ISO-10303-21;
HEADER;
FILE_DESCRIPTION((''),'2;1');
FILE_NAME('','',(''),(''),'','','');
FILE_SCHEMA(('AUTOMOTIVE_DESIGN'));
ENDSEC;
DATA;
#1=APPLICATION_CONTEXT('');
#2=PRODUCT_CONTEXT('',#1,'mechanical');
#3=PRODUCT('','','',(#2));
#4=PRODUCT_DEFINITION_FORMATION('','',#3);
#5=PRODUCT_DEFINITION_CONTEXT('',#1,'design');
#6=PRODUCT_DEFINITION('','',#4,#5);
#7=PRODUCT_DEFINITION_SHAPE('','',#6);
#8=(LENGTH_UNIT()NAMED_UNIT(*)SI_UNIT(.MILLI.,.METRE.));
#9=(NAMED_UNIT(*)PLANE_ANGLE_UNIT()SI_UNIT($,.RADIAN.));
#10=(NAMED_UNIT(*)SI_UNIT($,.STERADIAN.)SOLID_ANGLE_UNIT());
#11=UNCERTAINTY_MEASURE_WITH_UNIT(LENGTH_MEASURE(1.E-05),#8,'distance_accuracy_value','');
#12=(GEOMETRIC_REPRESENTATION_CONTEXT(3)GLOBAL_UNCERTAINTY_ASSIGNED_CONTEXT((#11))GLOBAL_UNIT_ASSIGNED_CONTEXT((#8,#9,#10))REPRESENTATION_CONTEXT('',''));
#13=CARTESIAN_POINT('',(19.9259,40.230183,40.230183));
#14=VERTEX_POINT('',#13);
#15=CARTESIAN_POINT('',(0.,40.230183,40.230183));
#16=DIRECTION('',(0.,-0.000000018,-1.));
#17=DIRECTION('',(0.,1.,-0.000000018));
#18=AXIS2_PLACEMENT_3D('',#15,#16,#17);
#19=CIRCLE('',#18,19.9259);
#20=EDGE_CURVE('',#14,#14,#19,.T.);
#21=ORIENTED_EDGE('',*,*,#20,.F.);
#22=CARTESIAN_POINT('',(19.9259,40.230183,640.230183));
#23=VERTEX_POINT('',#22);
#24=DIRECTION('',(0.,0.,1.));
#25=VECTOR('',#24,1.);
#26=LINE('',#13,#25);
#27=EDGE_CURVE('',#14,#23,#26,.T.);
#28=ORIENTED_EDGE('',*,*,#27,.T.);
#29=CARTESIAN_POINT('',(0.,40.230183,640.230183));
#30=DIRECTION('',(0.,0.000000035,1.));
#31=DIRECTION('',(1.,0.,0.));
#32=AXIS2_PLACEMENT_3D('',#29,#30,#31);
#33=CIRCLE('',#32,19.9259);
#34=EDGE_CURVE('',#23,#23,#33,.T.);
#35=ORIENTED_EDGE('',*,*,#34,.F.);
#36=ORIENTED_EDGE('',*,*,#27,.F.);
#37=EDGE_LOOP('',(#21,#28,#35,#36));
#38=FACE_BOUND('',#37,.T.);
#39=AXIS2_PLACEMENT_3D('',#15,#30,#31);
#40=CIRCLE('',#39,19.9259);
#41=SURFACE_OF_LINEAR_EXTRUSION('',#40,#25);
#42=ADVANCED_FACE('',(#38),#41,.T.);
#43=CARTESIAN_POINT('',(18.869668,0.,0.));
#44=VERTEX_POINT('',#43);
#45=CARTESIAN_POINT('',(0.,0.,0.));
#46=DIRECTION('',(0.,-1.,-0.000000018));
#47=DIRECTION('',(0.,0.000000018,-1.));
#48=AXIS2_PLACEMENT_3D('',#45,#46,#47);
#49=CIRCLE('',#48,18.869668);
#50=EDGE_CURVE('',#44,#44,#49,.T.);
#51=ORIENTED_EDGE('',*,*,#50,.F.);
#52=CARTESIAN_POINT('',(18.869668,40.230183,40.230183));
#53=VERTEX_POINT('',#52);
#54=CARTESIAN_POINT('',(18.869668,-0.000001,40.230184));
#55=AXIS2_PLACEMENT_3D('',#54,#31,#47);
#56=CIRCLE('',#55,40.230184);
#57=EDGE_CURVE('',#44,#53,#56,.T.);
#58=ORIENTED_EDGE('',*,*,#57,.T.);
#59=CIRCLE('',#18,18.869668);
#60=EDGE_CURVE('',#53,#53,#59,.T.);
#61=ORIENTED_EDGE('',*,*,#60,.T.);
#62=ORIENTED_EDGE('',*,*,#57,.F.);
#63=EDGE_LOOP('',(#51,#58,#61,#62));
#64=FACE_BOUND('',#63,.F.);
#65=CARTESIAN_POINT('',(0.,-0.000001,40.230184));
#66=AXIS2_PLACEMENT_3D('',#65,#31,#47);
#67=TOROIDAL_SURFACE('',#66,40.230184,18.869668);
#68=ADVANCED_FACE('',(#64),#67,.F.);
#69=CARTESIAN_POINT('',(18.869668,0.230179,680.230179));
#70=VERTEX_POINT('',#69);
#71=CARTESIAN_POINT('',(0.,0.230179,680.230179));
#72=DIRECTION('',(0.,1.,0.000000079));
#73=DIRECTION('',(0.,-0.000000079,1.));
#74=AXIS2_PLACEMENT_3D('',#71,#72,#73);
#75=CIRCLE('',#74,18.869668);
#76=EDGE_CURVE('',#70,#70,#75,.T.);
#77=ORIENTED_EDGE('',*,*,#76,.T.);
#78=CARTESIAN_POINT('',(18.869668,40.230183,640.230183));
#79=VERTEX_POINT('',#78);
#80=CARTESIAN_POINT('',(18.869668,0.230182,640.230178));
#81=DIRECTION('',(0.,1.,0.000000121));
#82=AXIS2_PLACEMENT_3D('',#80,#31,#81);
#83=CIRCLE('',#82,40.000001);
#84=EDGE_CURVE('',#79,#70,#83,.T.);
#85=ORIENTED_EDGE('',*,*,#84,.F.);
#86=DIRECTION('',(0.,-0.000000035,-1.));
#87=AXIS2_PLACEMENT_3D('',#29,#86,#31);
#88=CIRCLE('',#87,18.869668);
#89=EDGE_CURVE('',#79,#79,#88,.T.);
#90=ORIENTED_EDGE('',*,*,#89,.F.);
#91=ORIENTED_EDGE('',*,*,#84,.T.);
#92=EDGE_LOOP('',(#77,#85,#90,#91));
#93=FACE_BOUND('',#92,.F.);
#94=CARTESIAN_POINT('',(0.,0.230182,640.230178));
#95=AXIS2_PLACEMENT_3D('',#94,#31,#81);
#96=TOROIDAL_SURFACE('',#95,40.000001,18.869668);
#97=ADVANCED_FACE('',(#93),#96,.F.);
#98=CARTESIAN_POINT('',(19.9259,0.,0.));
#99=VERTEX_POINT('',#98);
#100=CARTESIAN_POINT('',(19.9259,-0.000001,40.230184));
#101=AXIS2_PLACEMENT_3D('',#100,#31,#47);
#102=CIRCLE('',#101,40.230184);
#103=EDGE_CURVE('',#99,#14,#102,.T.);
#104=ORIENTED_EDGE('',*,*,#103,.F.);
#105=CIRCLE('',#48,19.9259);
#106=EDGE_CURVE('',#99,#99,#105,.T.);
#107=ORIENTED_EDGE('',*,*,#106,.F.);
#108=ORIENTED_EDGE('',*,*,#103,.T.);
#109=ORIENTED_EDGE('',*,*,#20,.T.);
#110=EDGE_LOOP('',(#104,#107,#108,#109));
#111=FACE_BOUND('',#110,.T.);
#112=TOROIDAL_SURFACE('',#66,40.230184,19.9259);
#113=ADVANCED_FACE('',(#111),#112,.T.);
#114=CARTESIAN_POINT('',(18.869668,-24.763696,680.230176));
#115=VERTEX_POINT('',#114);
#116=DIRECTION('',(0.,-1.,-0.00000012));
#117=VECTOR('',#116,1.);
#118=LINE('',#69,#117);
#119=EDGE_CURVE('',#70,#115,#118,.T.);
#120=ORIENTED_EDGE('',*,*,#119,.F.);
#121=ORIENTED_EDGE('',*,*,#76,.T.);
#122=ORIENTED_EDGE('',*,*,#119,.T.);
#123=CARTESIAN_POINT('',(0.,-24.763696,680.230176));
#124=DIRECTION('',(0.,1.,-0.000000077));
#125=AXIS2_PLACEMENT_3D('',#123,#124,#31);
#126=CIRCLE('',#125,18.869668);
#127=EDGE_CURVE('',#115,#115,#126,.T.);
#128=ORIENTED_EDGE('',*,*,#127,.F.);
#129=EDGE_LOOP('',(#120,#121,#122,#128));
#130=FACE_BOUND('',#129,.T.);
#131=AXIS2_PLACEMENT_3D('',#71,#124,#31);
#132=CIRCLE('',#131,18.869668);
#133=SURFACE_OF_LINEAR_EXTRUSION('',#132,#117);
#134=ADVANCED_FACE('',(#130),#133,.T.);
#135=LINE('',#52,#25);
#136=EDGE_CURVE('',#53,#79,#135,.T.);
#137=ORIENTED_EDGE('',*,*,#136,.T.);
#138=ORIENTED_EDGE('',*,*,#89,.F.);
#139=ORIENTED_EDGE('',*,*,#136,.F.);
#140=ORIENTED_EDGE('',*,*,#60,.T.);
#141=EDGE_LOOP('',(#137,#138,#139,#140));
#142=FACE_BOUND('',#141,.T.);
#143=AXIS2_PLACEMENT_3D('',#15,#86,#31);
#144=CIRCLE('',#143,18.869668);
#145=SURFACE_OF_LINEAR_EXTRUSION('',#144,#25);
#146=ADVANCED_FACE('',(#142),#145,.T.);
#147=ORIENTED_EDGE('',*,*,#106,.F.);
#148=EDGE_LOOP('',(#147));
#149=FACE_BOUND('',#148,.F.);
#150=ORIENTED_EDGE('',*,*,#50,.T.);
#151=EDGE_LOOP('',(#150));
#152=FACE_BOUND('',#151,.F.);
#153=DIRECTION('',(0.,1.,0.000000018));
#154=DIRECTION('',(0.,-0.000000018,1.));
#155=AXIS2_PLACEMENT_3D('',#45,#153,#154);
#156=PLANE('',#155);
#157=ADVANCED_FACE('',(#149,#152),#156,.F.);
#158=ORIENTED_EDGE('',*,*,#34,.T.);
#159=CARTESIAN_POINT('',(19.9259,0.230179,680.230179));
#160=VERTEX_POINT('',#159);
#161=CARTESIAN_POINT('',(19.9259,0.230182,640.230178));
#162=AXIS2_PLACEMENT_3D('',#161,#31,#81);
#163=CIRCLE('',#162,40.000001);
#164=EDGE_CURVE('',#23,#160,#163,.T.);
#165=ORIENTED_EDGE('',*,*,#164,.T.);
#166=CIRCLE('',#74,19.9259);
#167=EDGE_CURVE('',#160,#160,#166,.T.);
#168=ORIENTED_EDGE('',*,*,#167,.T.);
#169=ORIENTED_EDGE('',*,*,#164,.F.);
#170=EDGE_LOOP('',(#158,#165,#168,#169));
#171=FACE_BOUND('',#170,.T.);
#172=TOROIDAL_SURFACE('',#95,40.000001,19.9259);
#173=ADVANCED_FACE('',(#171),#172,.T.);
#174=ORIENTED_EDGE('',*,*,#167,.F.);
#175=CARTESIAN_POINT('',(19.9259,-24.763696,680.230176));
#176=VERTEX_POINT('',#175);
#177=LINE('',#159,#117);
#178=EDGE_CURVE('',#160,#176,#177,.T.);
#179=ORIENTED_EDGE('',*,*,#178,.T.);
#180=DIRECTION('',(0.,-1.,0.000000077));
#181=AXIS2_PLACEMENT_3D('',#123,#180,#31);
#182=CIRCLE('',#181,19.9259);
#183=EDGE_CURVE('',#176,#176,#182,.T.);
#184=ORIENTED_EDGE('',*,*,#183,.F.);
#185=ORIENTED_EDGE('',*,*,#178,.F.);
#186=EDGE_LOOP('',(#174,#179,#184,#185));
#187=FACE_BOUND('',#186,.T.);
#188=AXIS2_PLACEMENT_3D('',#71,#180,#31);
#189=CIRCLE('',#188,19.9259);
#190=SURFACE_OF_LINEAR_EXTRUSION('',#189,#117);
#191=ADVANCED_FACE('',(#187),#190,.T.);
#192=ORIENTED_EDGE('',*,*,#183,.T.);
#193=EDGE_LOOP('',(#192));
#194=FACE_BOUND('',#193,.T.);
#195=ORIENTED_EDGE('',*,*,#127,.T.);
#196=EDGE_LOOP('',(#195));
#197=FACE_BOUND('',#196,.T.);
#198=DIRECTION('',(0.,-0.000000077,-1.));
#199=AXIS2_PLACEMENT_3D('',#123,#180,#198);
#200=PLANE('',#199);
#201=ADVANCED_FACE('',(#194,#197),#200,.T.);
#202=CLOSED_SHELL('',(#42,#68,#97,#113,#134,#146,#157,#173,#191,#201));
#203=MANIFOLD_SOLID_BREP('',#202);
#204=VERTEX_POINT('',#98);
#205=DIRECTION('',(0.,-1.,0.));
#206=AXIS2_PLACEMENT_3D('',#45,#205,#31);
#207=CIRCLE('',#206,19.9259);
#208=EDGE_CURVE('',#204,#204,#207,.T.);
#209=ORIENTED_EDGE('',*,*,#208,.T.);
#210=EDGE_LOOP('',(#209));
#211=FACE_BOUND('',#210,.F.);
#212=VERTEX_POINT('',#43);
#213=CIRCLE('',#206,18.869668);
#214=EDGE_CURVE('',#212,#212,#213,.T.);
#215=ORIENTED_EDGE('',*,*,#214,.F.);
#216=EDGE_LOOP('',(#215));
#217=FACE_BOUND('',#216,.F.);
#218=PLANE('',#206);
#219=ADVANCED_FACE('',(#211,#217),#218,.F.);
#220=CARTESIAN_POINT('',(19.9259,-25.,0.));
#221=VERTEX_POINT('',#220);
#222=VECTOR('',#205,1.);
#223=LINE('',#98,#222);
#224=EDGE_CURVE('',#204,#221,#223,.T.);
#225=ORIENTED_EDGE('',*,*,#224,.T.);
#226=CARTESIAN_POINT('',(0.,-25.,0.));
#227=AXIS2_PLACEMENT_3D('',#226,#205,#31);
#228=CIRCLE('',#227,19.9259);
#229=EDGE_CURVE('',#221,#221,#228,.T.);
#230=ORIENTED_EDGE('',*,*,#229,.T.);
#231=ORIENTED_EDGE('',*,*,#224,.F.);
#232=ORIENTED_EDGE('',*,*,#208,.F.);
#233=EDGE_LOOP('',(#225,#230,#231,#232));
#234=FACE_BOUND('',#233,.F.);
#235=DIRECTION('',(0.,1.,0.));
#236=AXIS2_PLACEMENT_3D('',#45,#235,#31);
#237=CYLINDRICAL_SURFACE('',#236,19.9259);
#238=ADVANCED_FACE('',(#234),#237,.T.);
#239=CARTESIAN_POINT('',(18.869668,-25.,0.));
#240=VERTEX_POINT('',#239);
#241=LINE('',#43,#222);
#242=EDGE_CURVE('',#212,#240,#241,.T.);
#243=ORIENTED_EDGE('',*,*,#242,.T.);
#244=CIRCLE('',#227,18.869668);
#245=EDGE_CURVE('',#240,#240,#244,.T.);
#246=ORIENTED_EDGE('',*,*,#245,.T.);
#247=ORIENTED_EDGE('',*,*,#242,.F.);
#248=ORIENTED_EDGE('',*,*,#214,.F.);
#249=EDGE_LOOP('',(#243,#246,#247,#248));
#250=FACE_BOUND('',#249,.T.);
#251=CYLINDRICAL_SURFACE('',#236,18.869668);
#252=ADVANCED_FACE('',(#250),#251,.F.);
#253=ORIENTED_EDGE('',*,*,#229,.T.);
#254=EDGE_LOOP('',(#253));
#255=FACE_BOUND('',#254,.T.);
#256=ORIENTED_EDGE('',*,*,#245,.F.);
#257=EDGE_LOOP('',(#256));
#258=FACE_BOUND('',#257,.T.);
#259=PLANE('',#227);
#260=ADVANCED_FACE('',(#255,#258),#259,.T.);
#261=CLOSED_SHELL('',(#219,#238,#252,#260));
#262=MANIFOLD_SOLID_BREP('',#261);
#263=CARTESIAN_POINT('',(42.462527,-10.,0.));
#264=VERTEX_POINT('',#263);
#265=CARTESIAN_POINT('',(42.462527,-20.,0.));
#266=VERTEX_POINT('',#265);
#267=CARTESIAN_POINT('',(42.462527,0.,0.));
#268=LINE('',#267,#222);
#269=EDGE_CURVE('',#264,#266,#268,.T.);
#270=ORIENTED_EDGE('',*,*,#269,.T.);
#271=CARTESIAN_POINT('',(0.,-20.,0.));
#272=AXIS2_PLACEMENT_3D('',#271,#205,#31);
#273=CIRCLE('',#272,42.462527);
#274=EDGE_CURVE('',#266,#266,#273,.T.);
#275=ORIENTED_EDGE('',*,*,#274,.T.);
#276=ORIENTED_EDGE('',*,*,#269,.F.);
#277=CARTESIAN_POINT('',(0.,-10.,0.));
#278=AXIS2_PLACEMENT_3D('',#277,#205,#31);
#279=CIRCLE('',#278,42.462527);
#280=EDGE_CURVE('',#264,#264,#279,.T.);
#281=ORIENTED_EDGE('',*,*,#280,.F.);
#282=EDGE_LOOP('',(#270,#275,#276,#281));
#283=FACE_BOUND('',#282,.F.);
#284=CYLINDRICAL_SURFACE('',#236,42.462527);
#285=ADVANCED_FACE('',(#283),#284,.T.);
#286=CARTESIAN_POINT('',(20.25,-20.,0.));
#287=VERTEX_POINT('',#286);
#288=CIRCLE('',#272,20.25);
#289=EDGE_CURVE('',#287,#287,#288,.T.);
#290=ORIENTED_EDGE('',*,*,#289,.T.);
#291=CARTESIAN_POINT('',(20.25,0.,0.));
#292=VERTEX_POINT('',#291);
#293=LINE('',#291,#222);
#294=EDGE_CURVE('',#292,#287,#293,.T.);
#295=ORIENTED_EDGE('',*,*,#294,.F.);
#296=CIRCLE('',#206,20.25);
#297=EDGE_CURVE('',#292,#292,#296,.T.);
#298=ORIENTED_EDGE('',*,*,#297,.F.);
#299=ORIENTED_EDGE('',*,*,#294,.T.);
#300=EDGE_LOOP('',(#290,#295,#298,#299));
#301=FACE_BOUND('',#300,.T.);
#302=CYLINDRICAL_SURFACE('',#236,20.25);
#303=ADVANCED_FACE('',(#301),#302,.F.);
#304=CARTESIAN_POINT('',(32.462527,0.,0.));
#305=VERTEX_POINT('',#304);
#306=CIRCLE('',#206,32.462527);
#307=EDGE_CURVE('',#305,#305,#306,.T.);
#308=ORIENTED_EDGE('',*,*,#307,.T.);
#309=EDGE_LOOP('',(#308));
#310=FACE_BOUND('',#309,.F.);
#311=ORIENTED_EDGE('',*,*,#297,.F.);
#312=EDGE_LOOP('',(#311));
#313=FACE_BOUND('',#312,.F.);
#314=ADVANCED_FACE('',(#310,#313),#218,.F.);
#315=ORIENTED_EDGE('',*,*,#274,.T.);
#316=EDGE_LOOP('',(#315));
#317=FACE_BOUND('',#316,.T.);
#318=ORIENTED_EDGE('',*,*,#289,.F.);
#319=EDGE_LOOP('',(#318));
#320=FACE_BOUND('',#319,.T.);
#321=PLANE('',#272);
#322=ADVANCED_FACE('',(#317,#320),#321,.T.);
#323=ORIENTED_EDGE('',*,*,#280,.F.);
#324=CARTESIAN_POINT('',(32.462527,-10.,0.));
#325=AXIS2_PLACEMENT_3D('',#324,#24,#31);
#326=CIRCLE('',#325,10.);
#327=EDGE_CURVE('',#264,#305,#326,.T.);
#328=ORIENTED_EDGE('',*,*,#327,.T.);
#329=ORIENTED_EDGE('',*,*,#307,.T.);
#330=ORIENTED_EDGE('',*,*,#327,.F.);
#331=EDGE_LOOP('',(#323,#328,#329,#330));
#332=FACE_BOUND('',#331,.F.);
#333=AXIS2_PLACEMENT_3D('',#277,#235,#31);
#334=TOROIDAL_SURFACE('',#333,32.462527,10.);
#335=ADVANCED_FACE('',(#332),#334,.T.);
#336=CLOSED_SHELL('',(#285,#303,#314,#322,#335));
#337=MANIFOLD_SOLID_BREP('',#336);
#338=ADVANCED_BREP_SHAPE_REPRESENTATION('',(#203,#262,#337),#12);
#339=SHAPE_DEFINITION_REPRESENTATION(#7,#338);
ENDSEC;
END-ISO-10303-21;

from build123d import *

# Parameters (mm, degrees)
F0_R        = 19.9259
F0_R_2      = 18.869668
F2_DEPTH    = 25
F2_FACE_R   = 19.9259
F2_FACE_R_2 = 18.869668
F4_R        = 42.462527
F4_R_2      = 20.25
F5_DEPTH    = 20
F6_R        = 10


with BuildPart() as f2:
    # F0 (on Front) → F2 (new body)
    with BuildSketch(Plane.XZ):
        Circle(F0_R)
        Circle(F0_R_2, mode=Mode.SUBTRACT)
    extrude(amount=F2_DEPTH)


with BuildPart() as f3:
    # F3: sweep along a path in F1
    with BuildLine(Plane.YZ) as f3_path:
        ThreePointArc((0, 0), (28.447035, 11.783148), (40.230183, 40.230183))
        Line((40.230183, 40.230183), (40.230183, 640.230183))
        ThreePointArc((40.230183, 640.230183), (28.514451, 668.514453), (0.230179, 680.230179))
        Line((0.230179, 680.230179), (-24.763696, 680.230176))
    # F2_face (on face) → F3 (sweep)
    with BuildSketch(Plane(origin=(0, 0, 0), x_dir=(1, 0, 0), z_dir=(0, 1, 0))):
        Circle(F2_FACE_R)
        Circle(F2_FACE_R_2, mode=Mode.SUBTRACT)
    sweep(path=f3_path.line)


with BuildPart() as f5:
    # F4 (on Front) → F5 (new body)
    with BuildSketch(Plane.XZ):
        Circle(F4_R)
        Circle(F4_R_2, mode=Mode.SUBTRACT)
    extrude(amount=F5_DEPTH)

    # F6
    f6_edges = [f5.edges().sort_by_distance(p)[0] for p in [
        (-42.462527, 0, 0),
    ]]
    fillet(f6_edges, radius=F6_R)


solid = Compound([f2.part, f3.part, f5.part])
